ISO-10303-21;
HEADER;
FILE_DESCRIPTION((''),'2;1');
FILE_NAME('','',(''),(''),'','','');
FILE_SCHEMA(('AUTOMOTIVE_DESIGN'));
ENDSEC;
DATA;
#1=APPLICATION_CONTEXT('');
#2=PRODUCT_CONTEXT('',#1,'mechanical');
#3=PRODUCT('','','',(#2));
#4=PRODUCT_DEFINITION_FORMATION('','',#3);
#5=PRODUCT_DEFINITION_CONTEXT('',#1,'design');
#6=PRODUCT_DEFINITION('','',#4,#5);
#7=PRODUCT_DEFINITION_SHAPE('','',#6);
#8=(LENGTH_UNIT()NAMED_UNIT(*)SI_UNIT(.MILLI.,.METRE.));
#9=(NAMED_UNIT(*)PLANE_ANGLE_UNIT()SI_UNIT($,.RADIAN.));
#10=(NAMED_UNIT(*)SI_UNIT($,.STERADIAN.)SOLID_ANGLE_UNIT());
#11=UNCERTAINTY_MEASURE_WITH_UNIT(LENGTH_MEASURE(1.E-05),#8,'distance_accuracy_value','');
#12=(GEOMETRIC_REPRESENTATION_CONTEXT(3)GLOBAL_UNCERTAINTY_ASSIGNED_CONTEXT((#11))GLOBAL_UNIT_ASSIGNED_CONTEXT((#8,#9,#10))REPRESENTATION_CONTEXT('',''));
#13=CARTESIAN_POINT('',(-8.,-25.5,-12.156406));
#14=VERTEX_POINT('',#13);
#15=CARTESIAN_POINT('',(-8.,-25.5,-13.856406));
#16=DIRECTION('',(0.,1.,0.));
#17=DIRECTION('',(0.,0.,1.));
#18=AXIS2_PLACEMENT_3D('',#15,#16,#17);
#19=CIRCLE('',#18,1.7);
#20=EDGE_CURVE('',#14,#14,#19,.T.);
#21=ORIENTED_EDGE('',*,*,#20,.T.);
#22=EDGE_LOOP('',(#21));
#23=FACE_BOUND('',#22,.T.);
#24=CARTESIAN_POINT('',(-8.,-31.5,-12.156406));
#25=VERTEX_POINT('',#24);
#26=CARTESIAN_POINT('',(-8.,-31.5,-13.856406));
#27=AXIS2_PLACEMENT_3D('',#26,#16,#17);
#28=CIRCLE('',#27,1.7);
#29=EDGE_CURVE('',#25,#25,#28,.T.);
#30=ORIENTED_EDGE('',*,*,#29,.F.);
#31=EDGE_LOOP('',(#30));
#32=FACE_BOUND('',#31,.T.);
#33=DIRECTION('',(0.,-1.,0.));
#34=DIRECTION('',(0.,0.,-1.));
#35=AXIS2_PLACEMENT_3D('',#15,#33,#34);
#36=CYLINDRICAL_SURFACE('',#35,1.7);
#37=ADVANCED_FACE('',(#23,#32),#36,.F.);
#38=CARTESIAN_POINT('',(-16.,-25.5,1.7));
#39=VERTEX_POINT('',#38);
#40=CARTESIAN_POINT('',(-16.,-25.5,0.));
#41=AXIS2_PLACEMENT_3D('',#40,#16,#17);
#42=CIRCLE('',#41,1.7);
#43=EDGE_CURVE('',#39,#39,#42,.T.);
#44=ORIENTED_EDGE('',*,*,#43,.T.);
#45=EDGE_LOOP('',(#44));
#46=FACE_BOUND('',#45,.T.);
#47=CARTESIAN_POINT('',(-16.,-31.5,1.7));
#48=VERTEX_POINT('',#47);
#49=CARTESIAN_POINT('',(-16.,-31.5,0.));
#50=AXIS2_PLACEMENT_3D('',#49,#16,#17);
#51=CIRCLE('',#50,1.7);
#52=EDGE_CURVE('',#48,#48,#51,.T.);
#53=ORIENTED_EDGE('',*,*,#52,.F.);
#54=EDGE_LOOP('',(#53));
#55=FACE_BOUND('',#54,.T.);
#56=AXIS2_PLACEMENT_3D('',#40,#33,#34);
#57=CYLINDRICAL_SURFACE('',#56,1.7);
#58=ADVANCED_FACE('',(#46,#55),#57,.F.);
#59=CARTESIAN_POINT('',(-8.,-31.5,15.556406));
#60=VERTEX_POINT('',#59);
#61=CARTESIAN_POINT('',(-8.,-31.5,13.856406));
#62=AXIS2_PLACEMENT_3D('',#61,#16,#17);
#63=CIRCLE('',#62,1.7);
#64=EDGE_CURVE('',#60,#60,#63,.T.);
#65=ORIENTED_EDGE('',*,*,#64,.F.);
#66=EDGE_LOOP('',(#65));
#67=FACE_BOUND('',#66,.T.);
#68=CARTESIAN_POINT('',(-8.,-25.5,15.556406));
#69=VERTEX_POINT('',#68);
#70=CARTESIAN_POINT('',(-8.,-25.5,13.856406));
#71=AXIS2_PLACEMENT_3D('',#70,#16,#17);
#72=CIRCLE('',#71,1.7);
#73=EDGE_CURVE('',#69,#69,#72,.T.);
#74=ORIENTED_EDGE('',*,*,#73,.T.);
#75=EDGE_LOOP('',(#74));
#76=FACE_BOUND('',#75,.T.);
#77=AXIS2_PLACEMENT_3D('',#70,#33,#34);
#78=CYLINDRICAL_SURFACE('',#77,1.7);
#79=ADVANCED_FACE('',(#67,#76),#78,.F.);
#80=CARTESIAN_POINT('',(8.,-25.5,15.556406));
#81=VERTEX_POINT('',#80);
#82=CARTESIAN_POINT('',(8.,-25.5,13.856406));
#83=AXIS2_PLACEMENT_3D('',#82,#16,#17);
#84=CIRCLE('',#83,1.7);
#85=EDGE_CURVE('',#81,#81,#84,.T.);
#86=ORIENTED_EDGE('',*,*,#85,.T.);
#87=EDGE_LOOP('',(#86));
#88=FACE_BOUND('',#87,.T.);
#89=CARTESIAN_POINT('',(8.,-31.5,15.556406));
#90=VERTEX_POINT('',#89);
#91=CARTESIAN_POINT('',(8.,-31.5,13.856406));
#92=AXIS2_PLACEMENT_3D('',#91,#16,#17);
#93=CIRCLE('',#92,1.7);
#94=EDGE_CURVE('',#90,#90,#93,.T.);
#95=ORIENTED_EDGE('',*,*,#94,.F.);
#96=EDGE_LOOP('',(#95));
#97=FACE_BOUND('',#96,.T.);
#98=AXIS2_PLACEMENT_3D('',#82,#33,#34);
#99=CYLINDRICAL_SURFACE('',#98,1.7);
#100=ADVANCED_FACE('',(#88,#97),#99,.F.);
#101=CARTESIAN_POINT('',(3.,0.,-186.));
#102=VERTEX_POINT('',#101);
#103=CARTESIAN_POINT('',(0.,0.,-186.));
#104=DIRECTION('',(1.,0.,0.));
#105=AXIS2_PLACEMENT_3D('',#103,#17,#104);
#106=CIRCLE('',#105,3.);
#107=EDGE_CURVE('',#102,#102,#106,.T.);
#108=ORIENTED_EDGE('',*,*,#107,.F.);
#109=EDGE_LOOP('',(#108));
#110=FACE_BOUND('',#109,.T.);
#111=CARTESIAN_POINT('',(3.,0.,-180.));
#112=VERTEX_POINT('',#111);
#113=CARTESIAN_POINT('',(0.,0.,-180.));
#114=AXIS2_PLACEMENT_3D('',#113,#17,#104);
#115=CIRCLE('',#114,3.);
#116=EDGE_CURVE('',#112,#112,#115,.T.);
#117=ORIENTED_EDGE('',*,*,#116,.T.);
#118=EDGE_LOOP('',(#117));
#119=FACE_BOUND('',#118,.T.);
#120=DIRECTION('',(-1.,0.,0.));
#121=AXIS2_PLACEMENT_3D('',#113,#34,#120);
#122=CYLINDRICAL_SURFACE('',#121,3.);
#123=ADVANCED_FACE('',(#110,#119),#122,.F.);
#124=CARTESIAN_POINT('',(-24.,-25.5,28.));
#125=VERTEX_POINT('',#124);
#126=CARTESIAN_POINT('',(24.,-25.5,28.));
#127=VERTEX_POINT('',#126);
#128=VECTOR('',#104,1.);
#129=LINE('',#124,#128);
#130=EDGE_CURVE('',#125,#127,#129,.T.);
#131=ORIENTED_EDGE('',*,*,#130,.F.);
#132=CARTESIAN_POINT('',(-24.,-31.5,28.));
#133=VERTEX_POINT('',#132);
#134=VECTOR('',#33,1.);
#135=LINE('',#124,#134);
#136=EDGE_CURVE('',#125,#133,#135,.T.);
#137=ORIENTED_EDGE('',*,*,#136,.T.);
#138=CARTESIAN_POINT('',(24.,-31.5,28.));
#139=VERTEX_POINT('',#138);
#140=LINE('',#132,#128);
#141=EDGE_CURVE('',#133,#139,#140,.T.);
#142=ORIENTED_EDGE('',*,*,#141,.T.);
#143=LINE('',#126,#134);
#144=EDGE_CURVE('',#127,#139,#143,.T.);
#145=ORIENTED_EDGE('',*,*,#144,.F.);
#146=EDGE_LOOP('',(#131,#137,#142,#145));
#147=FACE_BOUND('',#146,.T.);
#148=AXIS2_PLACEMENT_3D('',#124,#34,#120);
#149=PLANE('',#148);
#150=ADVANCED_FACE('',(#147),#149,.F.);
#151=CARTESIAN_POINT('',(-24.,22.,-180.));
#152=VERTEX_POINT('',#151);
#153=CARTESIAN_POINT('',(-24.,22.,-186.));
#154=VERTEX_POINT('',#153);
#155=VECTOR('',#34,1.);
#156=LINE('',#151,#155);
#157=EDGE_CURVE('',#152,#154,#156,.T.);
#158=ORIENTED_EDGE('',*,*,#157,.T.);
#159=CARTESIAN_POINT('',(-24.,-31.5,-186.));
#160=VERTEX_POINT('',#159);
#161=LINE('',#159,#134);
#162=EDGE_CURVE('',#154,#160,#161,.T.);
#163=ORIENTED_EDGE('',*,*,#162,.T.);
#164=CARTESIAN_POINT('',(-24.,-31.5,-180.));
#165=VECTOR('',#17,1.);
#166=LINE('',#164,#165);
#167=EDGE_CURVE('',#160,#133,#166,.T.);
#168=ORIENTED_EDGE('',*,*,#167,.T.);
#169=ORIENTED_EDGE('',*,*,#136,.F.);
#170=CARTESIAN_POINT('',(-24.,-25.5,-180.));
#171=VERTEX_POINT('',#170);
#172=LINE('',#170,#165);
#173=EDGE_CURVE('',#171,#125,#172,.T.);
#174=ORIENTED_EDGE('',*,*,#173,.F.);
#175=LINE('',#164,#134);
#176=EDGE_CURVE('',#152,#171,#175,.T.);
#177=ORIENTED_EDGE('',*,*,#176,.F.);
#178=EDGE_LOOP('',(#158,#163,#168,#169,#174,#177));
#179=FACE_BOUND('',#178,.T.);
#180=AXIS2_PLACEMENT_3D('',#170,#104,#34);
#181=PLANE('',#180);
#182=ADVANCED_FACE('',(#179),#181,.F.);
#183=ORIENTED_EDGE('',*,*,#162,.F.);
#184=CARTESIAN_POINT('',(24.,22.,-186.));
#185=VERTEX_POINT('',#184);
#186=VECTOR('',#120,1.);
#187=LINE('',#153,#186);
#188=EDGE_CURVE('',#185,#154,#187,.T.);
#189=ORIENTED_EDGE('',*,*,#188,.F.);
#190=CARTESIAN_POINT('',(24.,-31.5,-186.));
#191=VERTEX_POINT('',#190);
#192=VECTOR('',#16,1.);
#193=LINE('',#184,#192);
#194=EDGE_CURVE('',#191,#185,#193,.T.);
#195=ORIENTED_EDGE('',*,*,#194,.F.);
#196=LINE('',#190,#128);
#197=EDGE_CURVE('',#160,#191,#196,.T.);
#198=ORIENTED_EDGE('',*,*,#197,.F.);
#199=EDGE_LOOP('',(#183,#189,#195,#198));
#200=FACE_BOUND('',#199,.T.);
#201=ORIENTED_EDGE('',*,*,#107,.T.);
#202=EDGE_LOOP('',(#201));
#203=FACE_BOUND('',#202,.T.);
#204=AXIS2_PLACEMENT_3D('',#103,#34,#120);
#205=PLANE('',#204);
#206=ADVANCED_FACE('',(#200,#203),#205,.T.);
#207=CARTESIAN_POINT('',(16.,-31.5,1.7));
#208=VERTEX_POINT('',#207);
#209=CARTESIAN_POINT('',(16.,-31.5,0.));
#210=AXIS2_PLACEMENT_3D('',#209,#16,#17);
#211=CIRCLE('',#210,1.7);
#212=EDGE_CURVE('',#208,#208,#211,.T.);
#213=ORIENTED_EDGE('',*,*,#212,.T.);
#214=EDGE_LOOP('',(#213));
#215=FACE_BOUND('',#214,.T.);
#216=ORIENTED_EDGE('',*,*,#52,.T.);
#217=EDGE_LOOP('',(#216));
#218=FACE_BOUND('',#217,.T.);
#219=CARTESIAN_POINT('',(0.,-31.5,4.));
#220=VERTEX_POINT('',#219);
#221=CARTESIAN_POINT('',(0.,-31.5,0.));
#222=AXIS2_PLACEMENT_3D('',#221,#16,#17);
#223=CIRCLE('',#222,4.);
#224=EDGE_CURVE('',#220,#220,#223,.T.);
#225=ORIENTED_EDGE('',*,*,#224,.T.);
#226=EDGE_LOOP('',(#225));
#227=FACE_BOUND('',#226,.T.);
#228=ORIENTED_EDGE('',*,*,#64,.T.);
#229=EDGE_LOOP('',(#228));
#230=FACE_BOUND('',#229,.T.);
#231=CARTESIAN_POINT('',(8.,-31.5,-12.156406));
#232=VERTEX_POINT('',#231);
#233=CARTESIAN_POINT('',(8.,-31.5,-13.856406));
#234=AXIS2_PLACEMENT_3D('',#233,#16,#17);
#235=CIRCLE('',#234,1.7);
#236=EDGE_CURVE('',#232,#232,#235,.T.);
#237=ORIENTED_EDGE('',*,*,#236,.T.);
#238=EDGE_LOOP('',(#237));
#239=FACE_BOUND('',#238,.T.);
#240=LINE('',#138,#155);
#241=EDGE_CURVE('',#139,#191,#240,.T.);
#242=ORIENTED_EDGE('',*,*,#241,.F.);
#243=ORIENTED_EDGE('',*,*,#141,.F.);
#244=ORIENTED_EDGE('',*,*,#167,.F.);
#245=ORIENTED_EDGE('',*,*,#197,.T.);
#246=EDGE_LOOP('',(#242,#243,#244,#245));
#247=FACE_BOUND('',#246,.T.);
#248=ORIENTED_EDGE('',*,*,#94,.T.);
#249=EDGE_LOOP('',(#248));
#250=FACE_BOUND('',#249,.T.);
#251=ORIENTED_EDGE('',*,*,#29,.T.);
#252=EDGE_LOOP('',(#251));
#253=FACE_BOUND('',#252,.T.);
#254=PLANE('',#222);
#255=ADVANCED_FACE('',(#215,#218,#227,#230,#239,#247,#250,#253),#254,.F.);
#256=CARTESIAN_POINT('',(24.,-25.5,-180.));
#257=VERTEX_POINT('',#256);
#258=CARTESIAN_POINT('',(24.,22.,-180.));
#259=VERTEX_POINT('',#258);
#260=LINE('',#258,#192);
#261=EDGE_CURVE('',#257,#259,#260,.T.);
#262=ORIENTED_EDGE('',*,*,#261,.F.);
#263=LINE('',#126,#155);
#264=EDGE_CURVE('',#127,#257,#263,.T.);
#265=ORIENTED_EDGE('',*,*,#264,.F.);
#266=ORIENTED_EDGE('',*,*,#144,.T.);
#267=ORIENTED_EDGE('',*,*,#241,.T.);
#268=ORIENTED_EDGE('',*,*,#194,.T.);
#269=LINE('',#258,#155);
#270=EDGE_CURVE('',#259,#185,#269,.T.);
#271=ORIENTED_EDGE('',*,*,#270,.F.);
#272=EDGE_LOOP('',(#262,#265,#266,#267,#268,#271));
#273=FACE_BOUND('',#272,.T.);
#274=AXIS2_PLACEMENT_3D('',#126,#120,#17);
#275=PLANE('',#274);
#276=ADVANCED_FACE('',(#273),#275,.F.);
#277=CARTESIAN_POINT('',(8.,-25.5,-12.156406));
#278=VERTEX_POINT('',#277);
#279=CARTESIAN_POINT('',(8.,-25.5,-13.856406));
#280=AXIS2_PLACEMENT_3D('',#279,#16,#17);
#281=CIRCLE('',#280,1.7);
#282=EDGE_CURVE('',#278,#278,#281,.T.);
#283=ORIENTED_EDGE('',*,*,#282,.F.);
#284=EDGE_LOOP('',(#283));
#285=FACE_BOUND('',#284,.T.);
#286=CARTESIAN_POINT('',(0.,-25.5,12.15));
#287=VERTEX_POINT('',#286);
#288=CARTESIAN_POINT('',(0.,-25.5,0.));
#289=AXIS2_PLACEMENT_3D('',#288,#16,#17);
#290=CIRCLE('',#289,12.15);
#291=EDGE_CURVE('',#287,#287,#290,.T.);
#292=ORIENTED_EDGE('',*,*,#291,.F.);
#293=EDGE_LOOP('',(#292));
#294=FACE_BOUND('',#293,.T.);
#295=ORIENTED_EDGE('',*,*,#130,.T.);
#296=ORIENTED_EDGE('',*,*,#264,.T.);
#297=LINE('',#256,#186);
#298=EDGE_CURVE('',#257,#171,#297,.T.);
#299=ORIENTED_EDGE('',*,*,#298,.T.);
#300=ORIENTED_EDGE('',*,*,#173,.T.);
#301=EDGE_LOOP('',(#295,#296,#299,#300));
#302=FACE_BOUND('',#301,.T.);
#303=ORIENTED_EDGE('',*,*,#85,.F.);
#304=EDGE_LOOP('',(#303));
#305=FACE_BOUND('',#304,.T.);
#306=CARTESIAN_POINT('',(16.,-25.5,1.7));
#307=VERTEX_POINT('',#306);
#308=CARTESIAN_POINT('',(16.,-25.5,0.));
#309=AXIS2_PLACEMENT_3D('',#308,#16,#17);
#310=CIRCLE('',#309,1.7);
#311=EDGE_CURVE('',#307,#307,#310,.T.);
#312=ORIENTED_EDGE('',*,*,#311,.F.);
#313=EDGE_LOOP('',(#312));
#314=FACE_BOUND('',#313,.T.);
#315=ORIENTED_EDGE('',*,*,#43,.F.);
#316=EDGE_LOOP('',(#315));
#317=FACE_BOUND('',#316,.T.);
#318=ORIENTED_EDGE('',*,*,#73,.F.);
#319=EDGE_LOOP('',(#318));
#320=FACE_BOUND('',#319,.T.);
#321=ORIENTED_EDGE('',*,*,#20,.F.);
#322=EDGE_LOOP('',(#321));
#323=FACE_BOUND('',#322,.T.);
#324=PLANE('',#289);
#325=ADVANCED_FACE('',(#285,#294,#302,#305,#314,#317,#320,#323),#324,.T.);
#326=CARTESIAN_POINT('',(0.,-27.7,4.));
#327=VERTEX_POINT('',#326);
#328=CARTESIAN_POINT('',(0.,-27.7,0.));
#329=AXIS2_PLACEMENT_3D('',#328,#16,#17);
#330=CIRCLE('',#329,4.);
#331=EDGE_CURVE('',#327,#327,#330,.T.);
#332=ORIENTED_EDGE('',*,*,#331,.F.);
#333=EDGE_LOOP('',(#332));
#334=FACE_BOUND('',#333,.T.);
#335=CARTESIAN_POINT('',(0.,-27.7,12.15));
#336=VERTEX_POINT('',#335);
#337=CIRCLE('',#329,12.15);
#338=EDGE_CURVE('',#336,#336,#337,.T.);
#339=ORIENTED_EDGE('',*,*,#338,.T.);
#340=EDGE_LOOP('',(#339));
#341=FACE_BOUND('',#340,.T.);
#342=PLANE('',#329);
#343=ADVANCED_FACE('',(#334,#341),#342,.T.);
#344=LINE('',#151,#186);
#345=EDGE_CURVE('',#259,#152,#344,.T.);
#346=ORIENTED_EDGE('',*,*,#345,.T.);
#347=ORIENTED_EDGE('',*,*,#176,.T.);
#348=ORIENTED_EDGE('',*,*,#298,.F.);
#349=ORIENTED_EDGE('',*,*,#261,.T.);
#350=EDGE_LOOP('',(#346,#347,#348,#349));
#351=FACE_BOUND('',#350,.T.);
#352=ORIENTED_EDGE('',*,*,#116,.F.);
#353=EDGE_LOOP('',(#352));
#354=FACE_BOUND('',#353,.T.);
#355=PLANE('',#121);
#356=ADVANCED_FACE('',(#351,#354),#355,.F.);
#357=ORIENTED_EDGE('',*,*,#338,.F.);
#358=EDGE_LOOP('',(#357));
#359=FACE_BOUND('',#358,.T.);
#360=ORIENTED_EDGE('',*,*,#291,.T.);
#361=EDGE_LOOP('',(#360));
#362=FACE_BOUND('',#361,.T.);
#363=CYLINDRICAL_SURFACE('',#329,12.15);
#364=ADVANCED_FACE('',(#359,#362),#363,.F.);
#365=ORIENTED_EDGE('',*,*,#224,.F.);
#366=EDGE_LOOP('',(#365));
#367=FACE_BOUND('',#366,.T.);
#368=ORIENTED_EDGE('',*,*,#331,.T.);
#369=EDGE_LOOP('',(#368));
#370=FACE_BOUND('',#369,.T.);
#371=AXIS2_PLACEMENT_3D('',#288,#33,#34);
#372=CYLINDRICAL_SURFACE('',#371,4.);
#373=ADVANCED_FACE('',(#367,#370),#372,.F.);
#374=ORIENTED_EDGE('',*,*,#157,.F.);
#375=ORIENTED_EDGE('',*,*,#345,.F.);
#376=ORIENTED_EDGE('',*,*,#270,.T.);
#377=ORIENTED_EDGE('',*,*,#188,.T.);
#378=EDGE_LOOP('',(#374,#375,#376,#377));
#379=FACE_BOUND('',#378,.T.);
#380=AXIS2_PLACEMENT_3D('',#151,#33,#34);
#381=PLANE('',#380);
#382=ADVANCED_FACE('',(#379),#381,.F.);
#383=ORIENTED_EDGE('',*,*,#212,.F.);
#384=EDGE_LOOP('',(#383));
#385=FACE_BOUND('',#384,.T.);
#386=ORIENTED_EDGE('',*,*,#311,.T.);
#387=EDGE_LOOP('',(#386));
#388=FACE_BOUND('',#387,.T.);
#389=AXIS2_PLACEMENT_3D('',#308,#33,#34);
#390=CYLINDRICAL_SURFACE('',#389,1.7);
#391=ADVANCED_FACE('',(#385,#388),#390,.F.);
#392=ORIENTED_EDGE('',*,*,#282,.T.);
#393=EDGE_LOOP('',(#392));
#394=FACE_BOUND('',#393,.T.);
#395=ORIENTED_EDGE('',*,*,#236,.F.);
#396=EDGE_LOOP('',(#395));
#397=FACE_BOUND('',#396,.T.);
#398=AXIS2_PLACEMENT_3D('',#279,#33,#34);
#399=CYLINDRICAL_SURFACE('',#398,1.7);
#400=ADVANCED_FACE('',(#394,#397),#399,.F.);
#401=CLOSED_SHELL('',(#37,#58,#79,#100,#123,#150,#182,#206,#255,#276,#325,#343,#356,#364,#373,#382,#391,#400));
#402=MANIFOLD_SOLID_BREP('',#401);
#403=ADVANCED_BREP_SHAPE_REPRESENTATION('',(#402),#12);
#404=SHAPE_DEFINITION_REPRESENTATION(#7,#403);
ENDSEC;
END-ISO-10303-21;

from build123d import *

# Parameters (mm, degrees)
SK_FOREARM_PLATE_W       = 48
SK_FOREARM_PLATE_H       = 208
SK_FOREARM_PLATE_R       = 1.7
SK_FOREARM_PLATE_R_2     = 4
FOREARM_PLATE_DEPTH      = 6
SK_ELBOW_PILOT_RECESS_R  = 12.15
ELBOW_PILOT_RECESS_DEPTH = 2.2
SK_HAND_PLATE_W          = 48
SK_HAND_PLATE_H          = 53.5
SK_HAND_PLATE_R          = 3
HAND_PLATE_DEPTH         = 6


with BuildPart() as part:
    # SK_Forearm_Plate → Forearm_Plate (new body)
    with BuildSketch(Plane(origin=(0, -31.5, 0), x_dir=(1, 0, 0), z_dir=(0, 1, 0))):
        with Locations((0, 76)):
            Rectangle(SK_FOREARM_PLATE_W, SK_FOREARM_PLATE_H)
        with Locations(Location((16, 0, 0), (0, 0, 270))):
            Circle(SK_FOREARM_PLATE_R, mode=Mode.SUBTRACT)
        with Locations(Location((8, 13.856406461, 0), (0, 0, 270))):
            Circle(SK_FOREARM_PLATE_R, mode=Mode.SUBTRACT)
        with Locations(Location((-8, 13.856406461, 0), (0, 0, 270))):
            Circle(SK_FOREARM_PLATE_R, mode=Mode.SUBTRACT)
        with Locations(Location((-16, 0, 0), (0, 0, 270))):
            Circle(SK_FOREARM_PLATE_R, mode=Mode.SUBTRACT)
        with Locations(Location((-8, -13.856406461, 0), (0, 0, 270))):
            Circle(SK_FOREARM_PLATE_R, mode=Mode.SUBTRACT)
        with Locations(Location((8, -13.856406461, 0), (0, 0, 270))):
            Circle(SK_FOREARM_PLATE_R, mode=Mode.SUBTRACT)
        with Locations(Location((0, 0, 0), (0, 0, 270))):
            Circle(SK_FOREARM_PLATE_R_2, mode=Mode.SUBTRACT)
    extrude(amount=FOREARM_PLATE_DEPTH)

    # SK_Elbow_Pilot_Recess → Elbow_Pilot_Recess (cut)
    with BuildSketch(Plane(origin=(0, -25.5, 0), x_dir=(1, 0, 0), z_dir=(0, 1, 0))):
        with Locations(Location((0, 0, 0), (0, 0, 270))):
            Circle(SK_ELBOW_PILOT_RECESS_R)
    extrude(amount=-ELBOW_PILOT_RECESS_DEPTH, mode=Mode.SUBTRACT)

    # SK_Hand_Plate → Hand_Plate (add)
    with BuildSketch(Plane.XY.offset(-186)):
        with Locations((0, -4.75)):
            Rectangle(SK_HAND_PLATE_W, SK_HAND_PLATE_H)
        Circle(SK_HAND_PLATE_R, mode=Mode.SUBTRACT)
    extrude(amount=HAND_PLATE_DEPTH)


solid = part.part
